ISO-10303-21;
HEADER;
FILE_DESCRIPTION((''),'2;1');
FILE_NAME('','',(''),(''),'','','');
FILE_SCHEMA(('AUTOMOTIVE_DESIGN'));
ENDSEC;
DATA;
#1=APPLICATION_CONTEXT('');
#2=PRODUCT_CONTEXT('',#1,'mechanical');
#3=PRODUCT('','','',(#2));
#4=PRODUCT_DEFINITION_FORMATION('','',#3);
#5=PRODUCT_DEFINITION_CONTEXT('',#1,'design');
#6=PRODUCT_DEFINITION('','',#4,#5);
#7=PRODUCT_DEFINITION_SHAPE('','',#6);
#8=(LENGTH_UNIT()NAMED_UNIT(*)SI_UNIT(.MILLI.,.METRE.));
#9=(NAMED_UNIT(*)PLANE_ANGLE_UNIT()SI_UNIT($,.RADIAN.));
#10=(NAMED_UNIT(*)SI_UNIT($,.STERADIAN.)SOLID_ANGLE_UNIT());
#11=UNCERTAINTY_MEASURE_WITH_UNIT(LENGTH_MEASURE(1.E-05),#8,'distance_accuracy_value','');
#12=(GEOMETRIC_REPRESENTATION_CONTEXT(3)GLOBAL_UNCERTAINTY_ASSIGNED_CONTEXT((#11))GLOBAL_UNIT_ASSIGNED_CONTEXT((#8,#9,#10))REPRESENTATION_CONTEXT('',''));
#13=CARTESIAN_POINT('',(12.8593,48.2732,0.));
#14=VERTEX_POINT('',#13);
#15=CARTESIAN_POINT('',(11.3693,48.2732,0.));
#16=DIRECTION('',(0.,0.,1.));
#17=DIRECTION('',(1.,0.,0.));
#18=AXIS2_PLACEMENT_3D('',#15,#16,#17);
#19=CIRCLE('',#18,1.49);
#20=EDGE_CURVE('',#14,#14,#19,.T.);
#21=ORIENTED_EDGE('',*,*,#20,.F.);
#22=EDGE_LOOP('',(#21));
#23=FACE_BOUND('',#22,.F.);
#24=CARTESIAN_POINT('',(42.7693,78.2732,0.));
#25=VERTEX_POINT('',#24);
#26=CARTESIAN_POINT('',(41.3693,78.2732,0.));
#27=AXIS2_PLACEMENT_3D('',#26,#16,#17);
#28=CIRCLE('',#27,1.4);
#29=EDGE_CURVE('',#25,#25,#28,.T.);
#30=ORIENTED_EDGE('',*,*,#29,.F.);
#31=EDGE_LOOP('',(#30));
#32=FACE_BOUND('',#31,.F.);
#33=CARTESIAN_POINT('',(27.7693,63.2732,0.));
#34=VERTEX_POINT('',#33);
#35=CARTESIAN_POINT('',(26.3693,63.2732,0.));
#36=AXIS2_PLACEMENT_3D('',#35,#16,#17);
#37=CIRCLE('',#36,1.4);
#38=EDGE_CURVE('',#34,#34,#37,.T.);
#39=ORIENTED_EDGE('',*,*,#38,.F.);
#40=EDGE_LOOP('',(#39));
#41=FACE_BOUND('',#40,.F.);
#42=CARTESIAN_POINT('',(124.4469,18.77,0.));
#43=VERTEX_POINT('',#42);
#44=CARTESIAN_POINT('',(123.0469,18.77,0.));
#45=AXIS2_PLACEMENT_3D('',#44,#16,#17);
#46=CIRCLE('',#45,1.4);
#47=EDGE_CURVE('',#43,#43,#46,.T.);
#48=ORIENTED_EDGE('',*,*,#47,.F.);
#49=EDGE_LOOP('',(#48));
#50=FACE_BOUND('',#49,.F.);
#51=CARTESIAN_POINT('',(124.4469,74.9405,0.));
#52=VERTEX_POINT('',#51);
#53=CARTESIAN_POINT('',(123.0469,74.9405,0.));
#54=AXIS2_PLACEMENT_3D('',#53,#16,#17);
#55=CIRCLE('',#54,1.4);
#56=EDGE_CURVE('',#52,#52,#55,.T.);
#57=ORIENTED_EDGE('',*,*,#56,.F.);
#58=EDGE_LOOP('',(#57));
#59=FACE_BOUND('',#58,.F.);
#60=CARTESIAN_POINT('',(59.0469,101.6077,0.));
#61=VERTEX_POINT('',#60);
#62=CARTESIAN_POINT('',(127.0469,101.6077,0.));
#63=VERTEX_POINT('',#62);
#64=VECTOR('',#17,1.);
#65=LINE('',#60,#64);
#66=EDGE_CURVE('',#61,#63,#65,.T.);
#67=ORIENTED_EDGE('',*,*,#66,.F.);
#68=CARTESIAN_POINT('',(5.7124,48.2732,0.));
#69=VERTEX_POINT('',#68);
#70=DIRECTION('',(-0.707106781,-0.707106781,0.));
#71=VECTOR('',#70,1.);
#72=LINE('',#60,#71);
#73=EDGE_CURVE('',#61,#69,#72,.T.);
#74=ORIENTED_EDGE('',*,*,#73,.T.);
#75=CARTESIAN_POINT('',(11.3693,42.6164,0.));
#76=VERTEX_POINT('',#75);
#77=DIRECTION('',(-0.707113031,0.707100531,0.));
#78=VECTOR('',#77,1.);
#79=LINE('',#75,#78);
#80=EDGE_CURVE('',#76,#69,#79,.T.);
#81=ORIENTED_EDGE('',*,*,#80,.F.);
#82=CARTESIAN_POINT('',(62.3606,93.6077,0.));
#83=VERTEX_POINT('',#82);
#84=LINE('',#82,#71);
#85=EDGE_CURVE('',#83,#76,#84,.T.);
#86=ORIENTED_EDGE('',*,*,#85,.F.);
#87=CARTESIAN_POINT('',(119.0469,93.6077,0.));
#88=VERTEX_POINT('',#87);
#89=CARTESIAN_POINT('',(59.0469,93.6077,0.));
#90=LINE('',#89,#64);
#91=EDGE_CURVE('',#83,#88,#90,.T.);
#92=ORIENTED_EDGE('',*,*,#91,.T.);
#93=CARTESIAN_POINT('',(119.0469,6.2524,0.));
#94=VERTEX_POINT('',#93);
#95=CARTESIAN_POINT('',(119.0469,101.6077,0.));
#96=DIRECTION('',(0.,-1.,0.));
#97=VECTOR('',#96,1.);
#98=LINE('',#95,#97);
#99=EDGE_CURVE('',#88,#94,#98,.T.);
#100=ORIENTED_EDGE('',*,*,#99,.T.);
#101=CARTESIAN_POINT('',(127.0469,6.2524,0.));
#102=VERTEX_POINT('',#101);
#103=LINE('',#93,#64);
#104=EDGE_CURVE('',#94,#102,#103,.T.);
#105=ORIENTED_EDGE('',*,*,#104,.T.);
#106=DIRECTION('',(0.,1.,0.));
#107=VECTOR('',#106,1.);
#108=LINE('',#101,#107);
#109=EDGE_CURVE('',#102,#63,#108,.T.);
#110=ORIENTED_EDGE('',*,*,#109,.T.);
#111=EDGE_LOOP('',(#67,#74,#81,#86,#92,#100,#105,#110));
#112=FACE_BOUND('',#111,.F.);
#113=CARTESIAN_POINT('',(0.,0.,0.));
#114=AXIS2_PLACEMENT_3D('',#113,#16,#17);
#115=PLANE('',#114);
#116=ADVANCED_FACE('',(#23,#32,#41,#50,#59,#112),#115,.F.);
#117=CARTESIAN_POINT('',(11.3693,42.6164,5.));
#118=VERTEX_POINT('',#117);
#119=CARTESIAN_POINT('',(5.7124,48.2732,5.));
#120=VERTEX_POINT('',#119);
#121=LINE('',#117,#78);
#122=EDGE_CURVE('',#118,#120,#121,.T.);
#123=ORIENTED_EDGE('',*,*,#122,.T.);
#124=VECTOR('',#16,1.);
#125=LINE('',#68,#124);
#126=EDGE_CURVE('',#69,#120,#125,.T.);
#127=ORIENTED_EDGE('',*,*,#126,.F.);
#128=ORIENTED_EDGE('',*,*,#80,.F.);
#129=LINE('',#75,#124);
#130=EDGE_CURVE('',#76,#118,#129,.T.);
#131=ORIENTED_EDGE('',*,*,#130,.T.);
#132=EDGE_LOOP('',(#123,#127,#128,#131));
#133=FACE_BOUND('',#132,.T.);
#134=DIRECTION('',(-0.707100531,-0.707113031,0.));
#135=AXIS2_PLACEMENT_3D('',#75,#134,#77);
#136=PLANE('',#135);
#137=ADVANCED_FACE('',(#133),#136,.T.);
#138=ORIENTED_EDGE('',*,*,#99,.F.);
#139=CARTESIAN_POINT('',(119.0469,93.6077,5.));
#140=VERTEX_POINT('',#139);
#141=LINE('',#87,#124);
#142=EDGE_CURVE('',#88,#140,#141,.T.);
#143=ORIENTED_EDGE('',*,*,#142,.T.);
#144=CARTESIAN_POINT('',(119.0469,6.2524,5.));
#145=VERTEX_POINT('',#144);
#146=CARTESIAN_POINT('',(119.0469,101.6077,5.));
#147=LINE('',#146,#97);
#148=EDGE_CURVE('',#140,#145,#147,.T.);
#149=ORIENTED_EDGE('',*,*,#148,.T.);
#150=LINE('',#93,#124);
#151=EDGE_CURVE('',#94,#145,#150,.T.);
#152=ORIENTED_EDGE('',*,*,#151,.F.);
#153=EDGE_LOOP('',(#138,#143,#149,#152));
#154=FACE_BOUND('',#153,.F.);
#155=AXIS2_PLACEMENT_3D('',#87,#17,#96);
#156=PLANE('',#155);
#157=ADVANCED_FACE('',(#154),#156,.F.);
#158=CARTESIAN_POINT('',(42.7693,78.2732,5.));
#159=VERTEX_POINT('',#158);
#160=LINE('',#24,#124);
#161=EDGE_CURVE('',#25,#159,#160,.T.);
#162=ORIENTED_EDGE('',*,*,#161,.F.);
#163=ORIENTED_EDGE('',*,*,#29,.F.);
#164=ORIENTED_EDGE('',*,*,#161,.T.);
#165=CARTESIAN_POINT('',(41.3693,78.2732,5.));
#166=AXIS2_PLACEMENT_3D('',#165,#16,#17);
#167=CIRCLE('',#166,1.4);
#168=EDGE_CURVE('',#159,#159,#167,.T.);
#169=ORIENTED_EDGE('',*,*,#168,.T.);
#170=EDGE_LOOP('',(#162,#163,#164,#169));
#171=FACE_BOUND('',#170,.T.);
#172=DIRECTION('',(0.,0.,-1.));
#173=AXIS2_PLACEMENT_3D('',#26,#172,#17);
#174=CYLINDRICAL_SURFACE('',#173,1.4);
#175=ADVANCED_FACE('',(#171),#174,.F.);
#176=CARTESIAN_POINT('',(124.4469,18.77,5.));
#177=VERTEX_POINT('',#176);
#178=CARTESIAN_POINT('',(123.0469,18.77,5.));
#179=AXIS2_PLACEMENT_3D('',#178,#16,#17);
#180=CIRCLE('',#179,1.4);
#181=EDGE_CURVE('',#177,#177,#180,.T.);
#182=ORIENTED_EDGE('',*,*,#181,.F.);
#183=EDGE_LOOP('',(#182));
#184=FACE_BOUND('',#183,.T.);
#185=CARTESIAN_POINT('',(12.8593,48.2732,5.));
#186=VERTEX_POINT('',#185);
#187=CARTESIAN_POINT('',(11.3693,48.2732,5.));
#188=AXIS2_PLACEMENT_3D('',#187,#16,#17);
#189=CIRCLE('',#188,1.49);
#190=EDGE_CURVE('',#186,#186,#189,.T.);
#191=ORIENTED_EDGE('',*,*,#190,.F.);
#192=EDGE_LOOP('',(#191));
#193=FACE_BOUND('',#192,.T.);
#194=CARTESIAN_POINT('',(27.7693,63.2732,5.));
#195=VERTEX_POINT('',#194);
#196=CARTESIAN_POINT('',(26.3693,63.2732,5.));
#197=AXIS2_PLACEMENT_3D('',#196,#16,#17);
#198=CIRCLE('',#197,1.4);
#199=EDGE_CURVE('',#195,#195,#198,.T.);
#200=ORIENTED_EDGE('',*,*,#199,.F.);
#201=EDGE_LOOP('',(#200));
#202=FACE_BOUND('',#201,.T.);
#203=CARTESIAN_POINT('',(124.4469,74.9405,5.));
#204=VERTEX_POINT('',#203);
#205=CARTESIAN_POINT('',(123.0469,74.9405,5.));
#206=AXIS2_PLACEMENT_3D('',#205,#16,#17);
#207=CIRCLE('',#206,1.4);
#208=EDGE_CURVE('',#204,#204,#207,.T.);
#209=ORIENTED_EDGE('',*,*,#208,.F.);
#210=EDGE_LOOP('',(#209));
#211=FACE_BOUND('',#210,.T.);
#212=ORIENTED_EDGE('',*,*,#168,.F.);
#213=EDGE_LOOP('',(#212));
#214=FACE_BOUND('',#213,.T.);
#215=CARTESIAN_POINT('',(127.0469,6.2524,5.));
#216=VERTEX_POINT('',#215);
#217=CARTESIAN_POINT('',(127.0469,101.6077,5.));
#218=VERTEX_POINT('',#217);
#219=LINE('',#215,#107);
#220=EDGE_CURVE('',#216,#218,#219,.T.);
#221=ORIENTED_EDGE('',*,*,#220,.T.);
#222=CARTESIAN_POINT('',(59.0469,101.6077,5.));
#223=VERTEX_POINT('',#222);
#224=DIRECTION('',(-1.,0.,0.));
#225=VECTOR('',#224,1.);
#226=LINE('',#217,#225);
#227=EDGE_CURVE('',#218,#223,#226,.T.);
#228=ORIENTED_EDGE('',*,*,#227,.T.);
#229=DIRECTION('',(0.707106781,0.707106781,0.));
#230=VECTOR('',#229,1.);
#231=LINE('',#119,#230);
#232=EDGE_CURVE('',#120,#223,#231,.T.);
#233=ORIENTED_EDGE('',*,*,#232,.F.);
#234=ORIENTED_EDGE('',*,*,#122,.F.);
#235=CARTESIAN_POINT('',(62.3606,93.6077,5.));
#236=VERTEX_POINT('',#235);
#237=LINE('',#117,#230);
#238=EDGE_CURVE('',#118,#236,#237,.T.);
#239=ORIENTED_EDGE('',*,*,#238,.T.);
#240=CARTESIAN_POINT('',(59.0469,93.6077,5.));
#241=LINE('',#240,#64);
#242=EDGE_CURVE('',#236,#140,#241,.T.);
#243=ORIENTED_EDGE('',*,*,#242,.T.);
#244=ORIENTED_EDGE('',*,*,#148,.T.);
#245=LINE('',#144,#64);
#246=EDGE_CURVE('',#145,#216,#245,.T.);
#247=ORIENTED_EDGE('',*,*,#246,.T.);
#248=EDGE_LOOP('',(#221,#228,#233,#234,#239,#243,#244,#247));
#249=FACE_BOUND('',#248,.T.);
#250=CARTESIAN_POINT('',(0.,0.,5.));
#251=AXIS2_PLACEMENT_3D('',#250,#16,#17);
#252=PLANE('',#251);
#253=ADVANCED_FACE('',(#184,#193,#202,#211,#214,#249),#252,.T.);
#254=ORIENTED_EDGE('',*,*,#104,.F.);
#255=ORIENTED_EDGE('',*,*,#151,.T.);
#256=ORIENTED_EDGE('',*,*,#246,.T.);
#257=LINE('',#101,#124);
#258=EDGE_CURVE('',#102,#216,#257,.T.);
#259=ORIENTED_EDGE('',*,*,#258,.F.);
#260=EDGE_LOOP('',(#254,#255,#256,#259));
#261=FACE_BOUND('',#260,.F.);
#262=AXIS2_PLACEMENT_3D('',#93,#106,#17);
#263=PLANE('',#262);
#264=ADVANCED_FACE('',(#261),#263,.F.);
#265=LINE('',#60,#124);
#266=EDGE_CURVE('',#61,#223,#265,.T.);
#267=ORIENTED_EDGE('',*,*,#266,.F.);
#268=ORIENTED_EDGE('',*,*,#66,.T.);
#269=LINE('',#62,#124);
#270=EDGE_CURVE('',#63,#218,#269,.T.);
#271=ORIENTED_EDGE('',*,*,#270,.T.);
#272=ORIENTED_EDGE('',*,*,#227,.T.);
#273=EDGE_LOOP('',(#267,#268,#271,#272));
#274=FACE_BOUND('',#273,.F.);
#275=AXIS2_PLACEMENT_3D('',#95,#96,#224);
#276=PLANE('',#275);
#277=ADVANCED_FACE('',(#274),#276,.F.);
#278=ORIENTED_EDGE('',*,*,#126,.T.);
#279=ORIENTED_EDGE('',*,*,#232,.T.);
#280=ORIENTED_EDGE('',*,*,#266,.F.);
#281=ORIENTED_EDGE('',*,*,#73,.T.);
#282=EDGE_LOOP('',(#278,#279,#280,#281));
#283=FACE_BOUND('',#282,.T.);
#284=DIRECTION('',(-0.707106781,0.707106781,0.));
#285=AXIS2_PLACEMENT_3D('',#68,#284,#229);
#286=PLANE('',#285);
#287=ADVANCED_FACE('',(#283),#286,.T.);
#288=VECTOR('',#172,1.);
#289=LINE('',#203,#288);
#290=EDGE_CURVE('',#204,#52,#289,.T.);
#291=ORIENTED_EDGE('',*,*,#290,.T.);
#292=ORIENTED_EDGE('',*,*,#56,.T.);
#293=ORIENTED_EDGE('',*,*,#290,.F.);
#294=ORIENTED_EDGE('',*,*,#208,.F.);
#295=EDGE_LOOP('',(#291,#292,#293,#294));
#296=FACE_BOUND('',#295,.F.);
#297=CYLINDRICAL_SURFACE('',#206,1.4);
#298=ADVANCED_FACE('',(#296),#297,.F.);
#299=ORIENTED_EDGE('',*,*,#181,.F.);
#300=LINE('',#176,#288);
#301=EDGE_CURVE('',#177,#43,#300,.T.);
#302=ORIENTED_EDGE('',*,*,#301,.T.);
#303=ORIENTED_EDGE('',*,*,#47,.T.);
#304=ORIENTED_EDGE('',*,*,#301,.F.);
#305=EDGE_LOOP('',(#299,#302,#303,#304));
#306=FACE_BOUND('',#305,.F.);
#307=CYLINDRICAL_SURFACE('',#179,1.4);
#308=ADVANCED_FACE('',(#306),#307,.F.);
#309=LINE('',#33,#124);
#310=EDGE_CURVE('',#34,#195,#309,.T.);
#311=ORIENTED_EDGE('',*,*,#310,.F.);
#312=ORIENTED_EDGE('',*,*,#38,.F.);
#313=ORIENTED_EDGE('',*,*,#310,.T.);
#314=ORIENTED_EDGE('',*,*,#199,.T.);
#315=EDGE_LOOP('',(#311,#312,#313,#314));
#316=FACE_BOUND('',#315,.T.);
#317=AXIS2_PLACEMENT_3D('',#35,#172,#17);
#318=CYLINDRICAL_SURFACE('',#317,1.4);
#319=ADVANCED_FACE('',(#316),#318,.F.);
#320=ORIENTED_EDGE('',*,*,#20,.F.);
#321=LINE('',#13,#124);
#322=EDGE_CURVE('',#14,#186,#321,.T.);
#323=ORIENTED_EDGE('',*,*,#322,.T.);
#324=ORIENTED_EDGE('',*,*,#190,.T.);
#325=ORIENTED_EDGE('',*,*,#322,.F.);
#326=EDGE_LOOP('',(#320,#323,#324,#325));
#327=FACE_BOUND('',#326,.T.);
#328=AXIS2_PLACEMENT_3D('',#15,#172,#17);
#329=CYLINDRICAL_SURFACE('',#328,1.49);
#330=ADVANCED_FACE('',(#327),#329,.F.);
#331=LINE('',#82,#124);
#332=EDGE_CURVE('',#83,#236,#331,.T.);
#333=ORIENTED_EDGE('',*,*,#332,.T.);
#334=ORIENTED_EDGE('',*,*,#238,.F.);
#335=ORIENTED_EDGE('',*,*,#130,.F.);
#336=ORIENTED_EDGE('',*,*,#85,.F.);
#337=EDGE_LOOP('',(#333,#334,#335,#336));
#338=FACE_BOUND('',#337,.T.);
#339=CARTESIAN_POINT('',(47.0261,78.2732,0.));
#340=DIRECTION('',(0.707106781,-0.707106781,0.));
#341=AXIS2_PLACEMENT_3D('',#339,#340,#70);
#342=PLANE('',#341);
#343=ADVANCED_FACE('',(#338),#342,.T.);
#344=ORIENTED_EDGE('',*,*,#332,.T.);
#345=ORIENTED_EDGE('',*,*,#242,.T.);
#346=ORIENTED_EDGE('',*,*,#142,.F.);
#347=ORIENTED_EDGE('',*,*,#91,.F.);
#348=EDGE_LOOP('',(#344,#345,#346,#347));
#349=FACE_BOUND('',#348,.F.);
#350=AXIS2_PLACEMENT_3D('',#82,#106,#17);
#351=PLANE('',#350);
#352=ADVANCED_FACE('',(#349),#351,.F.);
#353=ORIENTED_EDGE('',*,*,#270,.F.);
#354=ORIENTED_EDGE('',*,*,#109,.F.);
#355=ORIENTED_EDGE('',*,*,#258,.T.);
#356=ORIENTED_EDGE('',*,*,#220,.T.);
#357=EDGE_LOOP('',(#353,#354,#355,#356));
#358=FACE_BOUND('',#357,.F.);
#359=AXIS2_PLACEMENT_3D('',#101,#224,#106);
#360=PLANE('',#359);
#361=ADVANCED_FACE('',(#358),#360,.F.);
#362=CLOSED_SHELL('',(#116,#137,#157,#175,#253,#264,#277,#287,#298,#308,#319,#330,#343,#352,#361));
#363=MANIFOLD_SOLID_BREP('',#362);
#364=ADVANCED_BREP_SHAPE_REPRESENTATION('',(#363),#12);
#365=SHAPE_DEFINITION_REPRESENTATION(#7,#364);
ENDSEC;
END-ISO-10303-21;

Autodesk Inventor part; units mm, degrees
ref_plane "YZ Plane" through (0, 0, 0) normal (1, 0, 0) x (0, 1, 0)
ref_plane "XZ Plane" through (0, 0, 0) normal (0, 1, 0) x (-1, 0, 0)
ref_plane "XY Plane" through (0, 0, 0) normal (0, 0, 1) x (1, 0, 0)
ref_plane "Arbeitsebene1" through (0, 0, 0) normal (0, 0, 1) x (1, 0, 0)
sketch "Skizze1" plane through (0, 0, 0) normal (0, 0, 1) x (1, 0, 0)
  circle A0 centre (41.3693, 78.2732) radius 1.4 projected
  circle A1 centre (11.3693, 48.2732) radius 1.49 projected
  line L0 (5.7124, 48.2732) -> (41.3693, 83.9301) projected
  line L1 (47.0261, 78.2732) -> (11.3693, 42.6164) projected
  line L2 (41.3693, 83.9301) -> (47.0261, 78.2732) projected
  line L3 (11.3693, 42.6164) -> (5.7124, 48.2732) projected
  line L4 (47.0261, 78.2732) -> (41.3693, 83.9301)
  line L5 (41.3693, 83.9301) -> (59.0469, 101.6077)
  line L6 (59.0469, 101.6077) -> (64.7038, 95.9509)
  line L7 (64.7038, 95.9509) -> (47.0261, 78.2732)
  line L8 (59.0469, 101.6077) -> (59.0469, 93.6077)
  line L9 (59.0469, 93.6077) -> (119.0469, 93.6077)
  line L10 (119.0469, 93.6077) -> (119.0469, 101.6077)
  line L11 (119.0469, 101.6077) -> (59.0469, 101.6077)
  line L12 (119.0469, 101.6077) -> (119.0469, 6.2524)
  line L13 (119.0469, 6.2524) -> (127.0469, 6.2524)
  line L14 (127.0469, 6.2524) -> (127.0469, 101.6077)
  line L15 (127.0469, 101.6077) -> (119.0469, 101.6077)
  circle A2 centre (26.3693, 63.2732) radius 1.4
  point P0 (0, 0)
  point P1 (62.3606, 93.6077)
  dimension "d0" = 25
  dimension "d1" = 8
  dimension "d2" = 60
  dimension "d3" = 8
  dimension "d10" = 2.8
extrude "Extrusion1" add sketch "Skizze1" along normal blind 5
sketch "Skizze2" plane through (0, 0, 5) normal (0, 0, 1) x (1, 0, 0)
  line L0 (127.0469, 6.2524) -> (127.0469, 101.6077) projected
  line L1 (127.0469, 101.6077) -> (59.0469, 101.6077) projected
  line L2 (59.0469, 101.6077) -> (5.7124, 48.2732) projected
  line L3 (5.7124, 48.2732) -> (11.3693, 42.6164) projected
  line L4 (11.3693, 42.6164) -> (62.3606, 93.6077) projected
  line L5 (62.3606, 93.6077) -> (119.0469, 93.6077) projected
  line L6 (119.0469, 93.6077) -> (119.0469, 6.2524) projected
  line L7 (119.0469, 6.2524) -> (127.0469, 6.2524) projected
  circle A0 centre (11.3693, 48.2732) radius 1.49 projected
  circle A1 centre (41.3693, 78.2732) radius 1.4 projected
  circle A2 centre (123.0469, 18.77) radius 1.4
  circle A3 centre (123.0469, 74.9405) radius 1.4
  point P0 (0, 0)
  dimension "d6" = 2.8
  dimension "d7" = 2.8
extrude "Extrusion2" cut sketch "Skizze2" against normal blind 5 contours A2 | A3
properties part number "NematostellaImager_illuminationmount"
